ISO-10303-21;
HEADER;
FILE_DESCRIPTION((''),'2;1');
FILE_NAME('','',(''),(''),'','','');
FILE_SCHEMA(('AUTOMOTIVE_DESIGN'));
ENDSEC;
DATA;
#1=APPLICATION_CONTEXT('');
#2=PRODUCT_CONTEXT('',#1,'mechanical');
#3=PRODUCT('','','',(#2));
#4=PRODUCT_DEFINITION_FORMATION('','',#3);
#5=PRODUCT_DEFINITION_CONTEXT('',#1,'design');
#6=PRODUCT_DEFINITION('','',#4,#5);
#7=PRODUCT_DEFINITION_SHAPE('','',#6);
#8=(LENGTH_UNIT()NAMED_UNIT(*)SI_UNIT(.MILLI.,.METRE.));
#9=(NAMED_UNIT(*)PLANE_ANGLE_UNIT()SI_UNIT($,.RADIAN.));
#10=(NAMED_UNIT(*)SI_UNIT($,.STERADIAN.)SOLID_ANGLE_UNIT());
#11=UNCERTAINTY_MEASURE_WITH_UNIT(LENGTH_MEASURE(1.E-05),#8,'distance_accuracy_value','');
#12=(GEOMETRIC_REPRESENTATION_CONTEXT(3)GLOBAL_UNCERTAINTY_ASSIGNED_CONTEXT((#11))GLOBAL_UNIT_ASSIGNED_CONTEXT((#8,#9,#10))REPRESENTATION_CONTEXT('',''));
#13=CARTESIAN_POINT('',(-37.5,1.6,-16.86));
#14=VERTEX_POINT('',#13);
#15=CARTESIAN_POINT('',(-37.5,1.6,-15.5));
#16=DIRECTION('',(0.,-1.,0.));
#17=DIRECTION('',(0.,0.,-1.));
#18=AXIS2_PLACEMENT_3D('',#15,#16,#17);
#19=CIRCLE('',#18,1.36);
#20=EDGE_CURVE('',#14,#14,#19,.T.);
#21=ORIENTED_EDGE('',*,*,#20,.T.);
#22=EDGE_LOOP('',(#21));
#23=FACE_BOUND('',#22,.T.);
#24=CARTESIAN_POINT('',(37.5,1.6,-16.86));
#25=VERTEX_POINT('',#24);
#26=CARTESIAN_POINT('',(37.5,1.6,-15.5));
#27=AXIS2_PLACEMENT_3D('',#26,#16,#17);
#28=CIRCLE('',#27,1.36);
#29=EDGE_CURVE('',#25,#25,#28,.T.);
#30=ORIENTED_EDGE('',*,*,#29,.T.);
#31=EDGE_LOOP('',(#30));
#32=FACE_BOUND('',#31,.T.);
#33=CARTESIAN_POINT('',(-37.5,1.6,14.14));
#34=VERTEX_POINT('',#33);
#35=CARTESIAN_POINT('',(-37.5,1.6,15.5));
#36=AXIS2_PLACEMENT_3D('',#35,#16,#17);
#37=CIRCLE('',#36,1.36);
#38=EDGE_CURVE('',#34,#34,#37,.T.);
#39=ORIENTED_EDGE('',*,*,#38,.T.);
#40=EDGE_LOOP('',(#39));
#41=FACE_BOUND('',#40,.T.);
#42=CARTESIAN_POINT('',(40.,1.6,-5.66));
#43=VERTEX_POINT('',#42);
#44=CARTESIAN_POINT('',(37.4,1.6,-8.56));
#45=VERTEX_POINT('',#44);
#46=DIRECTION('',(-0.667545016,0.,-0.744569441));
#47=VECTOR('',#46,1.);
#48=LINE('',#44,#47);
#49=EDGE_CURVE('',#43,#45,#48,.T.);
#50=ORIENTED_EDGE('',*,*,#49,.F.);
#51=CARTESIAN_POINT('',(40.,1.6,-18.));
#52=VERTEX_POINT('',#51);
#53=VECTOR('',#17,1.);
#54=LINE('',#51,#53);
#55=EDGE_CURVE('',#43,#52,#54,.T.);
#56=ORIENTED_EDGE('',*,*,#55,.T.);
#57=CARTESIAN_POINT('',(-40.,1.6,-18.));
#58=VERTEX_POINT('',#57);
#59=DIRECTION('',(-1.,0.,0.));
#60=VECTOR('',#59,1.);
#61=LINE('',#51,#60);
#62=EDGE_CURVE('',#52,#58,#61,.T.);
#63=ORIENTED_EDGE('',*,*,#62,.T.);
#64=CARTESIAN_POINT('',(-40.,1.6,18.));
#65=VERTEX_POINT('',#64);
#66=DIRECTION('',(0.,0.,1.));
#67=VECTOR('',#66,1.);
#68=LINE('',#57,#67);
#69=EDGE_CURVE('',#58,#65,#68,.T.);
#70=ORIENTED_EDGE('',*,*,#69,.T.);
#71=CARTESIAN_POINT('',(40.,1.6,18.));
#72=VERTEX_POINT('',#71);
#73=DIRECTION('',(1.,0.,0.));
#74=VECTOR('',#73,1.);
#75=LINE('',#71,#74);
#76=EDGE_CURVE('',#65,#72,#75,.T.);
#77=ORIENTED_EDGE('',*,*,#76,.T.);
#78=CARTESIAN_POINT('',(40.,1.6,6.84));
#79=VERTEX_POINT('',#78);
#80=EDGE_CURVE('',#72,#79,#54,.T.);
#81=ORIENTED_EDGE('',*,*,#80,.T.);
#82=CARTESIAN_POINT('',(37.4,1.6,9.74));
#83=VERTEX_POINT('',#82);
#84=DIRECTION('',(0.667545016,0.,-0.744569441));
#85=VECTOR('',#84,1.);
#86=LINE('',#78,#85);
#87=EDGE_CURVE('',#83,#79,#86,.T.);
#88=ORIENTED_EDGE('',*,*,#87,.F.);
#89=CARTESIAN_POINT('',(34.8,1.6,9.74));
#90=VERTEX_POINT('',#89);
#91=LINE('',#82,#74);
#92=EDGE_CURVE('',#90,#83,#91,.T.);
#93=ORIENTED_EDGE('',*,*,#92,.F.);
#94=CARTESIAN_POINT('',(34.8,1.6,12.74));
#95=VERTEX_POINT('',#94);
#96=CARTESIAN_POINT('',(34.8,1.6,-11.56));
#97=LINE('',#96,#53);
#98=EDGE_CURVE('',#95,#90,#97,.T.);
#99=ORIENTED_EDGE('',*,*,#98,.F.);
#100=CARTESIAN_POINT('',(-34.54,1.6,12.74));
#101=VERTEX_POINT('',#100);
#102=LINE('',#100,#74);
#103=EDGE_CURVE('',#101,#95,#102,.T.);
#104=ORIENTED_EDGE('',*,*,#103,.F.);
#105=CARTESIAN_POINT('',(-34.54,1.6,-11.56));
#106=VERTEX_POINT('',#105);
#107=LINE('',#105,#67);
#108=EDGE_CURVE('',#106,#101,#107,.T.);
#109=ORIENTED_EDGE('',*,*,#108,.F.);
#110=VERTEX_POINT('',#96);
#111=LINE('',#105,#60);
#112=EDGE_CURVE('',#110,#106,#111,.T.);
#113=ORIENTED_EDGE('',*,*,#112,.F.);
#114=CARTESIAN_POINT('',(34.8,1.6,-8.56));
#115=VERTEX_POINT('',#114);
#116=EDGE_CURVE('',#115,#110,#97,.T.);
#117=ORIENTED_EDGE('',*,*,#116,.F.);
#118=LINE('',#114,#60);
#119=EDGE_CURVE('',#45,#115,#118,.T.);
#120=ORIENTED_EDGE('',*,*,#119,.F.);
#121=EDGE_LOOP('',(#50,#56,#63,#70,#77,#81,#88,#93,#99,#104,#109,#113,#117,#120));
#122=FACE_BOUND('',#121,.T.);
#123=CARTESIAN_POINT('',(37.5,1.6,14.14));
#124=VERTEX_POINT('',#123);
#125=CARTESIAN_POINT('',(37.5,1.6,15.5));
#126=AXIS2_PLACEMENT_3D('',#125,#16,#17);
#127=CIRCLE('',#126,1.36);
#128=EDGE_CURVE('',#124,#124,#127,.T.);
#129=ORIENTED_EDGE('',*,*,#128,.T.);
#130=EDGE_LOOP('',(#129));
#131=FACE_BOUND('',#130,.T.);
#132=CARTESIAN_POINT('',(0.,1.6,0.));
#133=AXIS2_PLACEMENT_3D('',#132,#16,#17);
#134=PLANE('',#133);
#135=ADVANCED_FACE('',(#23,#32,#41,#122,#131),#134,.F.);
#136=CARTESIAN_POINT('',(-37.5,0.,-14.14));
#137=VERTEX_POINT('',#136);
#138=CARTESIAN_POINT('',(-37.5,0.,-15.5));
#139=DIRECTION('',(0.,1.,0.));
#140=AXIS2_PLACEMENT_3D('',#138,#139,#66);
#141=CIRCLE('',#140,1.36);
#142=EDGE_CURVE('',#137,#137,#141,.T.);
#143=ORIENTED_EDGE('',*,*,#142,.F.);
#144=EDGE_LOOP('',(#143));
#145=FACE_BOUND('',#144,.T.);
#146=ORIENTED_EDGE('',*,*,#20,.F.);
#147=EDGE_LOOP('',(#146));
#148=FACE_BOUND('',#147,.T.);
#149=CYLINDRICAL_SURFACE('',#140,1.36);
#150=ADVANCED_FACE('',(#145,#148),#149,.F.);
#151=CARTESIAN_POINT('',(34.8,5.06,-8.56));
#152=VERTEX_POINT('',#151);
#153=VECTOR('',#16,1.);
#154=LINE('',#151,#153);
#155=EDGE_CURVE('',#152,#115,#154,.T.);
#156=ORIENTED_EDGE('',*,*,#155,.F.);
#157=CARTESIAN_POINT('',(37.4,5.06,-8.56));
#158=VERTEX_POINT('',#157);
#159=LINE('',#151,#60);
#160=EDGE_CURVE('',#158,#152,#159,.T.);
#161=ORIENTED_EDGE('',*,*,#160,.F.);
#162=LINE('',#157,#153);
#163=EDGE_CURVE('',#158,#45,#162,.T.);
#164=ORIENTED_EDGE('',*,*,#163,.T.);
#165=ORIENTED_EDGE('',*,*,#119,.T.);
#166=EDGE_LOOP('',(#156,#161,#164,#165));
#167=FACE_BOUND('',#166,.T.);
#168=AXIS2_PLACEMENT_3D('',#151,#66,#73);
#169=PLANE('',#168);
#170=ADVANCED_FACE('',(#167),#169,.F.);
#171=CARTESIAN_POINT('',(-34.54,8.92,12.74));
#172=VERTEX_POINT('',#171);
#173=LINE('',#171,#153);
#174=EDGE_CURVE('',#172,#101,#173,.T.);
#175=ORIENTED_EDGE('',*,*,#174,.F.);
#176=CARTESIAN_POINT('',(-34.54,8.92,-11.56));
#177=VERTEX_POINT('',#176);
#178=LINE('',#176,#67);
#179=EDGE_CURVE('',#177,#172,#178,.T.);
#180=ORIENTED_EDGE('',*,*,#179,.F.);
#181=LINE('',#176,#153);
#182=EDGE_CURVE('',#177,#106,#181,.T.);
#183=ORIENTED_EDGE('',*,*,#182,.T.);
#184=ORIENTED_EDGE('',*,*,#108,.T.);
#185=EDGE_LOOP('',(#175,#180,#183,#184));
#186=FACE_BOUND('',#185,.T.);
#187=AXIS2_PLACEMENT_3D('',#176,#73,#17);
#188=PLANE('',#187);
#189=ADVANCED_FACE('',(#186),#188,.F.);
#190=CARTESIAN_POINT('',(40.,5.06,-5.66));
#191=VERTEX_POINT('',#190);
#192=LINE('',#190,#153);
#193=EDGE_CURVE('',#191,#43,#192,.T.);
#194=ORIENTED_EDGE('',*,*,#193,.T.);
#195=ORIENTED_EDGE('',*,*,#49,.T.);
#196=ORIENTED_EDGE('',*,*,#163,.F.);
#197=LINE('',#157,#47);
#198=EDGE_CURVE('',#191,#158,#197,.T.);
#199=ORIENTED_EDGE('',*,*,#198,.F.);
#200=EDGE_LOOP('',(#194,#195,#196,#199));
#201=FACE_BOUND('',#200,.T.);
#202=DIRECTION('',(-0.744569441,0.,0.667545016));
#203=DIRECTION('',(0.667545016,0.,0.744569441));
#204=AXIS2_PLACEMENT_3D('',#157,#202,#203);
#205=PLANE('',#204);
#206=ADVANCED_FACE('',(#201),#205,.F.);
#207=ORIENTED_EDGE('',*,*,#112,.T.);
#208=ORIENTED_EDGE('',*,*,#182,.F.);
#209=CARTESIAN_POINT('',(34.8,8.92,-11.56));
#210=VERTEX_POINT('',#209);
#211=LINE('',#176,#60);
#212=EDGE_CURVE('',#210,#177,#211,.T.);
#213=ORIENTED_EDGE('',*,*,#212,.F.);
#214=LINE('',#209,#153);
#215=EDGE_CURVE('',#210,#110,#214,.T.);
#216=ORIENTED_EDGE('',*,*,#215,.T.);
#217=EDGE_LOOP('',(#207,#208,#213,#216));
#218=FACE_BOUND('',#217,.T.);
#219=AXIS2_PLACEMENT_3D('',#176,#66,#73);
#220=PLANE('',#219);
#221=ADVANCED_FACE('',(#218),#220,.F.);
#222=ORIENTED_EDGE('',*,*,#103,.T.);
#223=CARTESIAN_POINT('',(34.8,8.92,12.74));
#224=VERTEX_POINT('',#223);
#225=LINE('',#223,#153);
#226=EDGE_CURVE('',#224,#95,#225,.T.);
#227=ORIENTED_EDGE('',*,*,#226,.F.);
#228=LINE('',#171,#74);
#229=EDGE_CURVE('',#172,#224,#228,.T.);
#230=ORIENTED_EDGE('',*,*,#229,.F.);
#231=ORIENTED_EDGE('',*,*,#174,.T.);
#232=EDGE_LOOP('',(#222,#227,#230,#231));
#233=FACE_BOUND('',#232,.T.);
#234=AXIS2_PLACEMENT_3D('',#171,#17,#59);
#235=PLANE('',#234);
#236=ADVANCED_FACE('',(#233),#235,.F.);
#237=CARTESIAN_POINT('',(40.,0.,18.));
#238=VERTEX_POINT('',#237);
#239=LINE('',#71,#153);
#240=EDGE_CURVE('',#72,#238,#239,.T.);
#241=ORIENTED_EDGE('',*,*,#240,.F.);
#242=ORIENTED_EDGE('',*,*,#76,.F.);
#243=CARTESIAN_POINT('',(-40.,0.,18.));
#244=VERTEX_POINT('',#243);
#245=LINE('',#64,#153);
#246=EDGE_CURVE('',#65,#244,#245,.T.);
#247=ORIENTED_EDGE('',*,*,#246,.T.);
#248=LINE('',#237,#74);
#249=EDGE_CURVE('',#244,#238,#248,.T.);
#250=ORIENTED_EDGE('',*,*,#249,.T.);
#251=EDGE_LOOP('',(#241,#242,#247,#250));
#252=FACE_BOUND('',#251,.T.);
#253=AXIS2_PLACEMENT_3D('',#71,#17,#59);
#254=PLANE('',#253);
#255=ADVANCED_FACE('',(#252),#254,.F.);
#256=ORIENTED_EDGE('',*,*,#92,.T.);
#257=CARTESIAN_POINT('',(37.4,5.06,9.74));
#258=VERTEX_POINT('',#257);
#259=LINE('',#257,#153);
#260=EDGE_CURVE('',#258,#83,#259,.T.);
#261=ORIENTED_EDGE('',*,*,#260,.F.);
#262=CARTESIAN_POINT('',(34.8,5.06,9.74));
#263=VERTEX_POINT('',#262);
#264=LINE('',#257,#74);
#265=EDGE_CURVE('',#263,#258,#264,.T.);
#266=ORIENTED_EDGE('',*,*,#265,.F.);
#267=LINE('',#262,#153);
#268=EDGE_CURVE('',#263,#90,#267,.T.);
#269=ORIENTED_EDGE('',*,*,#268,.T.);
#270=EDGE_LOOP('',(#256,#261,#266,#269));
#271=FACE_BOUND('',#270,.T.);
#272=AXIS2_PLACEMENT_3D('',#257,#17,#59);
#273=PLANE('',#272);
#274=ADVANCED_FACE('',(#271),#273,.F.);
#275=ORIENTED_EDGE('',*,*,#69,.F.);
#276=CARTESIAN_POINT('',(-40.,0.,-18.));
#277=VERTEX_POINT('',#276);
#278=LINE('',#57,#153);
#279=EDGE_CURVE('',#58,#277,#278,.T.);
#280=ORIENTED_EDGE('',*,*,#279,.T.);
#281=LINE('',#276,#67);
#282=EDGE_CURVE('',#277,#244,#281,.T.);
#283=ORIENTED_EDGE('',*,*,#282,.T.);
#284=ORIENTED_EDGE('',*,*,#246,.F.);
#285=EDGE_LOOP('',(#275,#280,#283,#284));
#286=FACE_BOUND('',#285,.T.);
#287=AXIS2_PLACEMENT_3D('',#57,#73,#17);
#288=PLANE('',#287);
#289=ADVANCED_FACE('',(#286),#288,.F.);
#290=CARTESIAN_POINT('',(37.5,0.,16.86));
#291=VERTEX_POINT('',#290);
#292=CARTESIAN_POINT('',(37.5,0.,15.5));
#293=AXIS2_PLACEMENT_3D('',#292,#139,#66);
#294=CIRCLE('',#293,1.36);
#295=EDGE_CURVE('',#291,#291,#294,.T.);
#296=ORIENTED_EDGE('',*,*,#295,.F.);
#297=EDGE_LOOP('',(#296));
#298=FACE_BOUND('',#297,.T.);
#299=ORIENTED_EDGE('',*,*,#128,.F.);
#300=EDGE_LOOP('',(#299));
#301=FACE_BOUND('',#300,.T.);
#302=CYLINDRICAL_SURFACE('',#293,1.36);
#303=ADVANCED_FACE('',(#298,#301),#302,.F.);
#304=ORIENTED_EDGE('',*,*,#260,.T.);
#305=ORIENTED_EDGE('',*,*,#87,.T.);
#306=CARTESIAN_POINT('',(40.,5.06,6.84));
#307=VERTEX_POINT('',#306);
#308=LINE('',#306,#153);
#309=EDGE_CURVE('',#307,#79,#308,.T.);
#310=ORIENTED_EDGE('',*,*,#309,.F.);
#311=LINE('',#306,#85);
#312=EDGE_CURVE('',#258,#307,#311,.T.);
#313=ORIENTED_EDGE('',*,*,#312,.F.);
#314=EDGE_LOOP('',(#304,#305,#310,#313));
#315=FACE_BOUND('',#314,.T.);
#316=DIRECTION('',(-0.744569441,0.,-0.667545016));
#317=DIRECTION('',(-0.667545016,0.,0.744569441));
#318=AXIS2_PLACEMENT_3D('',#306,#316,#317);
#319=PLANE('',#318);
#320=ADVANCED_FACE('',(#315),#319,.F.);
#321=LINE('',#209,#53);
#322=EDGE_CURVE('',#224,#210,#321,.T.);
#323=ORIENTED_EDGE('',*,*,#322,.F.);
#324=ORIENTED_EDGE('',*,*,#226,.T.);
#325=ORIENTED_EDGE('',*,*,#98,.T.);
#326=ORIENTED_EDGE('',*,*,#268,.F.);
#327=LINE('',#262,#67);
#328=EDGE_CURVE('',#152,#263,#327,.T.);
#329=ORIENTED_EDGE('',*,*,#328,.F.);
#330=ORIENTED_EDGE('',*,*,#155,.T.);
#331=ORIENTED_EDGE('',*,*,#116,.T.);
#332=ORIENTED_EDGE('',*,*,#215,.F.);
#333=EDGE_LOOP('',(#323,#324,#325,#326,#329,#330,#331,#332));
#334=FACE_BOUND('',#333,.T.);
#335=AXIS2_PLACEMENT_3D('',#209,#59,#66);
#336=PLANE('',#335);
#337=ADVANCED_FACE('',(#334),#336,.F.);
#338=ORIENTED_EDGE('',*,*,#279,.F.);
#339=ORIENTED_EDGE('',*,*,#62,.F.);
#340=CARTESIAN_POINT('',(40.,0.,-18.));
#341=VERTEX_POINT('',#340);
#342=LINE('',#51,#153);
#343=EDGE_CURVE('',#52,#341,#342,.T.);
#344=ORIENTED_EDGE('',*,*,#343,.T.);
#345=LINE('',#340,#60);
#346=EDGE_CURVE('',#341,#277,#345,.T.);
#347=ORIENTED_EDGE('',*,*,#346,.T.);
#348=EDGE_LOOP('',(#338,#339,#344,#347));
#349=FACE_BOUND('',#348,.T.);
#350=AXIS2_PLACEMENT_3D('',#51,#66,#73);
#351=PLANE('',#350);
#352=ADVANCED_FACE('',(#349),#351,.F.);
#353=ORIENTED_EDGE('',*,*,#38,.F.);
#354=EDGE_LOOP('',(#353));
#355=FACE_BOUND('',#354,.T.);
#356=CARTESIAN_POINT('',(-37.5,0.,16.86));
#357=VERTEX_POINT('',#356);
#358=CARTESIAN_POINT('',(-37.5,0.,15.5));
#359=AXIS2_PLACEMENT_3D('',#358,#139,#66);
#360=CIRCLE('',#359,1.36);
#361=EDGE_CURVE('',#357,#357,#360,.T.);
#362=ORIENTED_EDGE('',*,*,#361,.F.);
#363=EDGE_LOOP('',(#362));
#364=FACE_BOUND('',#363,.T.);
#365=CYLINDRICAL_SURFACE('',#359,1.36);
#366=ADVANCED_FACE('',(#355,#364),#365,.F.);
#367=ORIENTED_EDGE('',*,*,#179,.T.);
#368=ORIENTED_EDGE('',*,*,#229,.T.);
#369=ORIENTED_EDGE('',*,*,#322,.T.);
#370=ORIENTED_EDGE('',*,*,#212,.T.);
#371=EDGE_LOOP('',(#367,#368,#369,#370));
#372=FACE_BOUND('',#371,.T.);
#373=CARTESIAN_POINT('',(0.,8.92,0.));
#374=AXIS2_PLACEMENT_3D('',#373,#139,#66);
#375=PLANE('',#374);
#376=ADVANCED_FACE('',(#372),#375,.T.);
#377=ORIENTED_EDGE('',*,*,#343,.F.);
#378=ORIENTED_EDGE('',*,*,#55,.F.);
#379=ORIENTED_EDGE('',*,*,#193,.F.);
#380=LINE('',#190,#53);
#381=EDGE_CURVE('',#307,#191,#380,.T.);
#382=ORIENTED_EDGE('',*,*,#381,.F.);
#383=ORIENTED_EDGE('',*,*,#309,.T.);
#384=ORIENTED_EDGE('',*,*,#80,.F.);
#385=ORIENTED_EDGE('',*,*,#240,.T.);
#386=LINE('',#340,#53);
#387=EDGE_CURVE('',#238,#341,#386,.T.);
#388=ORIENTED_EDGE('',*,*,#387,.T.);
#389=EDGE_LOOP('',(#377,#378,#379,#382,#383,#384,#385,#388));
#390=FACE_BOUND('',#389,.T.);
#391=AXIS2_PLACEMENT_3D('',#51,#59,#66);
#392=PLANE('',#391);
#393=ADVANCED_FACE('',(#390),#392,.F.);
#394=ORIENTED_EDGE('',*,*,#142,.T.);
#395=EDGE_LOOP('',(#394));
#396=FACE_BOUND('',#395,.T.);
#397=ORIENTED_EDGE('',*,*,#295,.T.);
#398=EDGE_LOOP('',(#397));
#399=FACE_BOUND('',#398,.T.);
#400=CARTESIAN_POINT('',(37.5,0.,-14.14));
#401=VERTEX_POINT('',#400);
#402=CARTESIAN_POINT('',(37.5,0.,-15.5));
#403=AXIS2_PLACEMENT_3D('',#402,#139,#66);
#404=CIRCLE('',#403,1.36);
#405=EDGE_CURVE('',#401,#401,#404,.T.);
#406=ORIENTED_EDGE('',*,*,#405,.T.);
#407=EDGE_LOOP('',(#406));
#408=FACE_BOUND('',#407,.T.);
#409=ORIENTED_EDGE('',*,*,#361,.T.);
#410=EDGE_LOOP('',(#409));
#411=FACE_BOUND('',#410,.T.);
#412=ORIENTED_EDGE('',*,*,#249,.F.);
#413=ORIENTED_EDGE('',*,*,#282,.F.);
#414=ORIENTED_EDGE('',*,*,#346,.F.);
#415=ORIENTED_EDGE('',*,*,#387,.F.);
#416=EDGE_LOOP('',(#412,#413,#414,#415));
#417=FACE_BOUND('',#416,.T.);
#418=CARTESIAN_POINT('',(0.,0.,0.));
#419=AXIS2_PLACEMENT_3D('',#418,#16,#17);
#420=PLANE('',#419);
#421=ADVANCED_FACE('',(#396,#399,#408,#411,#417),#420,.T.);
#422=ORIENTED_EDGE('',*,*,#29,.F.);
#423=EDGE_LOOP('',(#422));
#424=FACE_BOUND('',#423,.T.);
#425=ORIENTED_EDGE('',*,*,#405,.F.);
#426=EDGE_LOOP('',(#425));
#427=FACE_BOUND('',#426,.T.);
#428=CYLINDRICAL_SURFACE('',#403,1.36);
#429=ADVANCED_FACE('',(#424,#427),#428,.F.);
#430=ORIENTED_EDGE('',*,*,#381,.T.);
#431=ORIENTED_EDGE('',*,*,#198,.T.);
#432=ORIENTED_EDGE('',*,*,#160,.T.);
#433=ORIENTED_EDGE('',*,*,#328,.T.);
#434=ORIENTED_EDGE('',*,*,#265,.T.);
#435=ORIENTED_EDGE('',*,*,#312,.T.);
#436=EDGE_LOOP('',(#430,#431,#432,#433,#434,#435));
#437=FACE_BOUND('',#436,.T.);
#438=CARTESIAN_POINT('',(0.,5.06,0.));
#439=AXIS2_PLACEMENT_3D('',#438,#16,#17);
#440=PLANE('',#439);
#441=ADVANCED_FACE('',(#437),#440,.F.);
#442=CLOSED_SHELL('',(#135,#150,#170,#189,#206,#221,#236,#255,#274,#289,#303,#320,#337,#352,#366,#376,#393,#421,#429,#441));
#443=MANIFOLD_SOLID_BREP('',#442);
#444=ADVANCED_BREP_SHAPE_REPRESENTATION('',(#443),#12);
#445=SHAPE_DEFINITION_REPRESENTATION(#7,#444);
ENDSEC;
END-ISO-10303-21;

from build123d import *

# Parameters (mm, degrees)
SKETCH1_W               = 80
SKETCH1_H               = 36
BOSS_EXTRUDE1_DEPTH     = 1.6
SKETCH2_W               = 69.34
SKETCH2_H               = 24.3
BOSS_EXTRUDE2_DEPTH     = 7.32
BOSS_EXTRUDE3_DEPTH     = 3.46
CUT_EXTRUDE1_DEPTH      = 45.470016865
CUT_EXTRUDE1_DEPTH_BACK = 45.470016865
SKETCH4_R               = 1.36


with BuildPart() as part:
    # Sketch1 → Boss-Extrude1 (new body)
    with BuildSketch(Plane(origin=(0, 0, 0), x_dir=(1, 0, 0), z_dir=(0, 1, 0))):
        Rectangle(SKETCH1_W, SKETCH1_H)
    extrude(amount=BOSS_EXTRUDE1_DEPTH)

    # Sketch2 → Boss-Extrude2 (add)
    with BuildSketch(Plane(origin=(0, 1.6, 0), x_dir=(1, 0, 0), z_dir=(0, 1, 0))):
        with Locations((0.13, -0.59)):
            Rectangle(SKETCH2_W, SKETCH2_H)
    extrude(amount=BOSS_EXTRUDE2_DEPTH)

    # Sketch3 → Boss-Extrude3 (add)
    with BuildSketch(Plane(origin=(0, 1.6, 0), x_dir=(1, 0, 0), z_dir=(0, 1, 0))):
        Polygon((40, 5.66), (40, -6.84), (37.4, -9.74), (34.8, -9.74), (34.8, 8.56), (37.4, 8.56), align=None)
    extrude(amount=BOSS_EXTRUDE3_DEPTH)

    # Sketch4 → Cut-Extrude1 (cut, two sides: drawn at the far end of the back side and taken through both)
    with BuildSketch(Plane(origin=(0, 1.6, 0), x_dir=(1, 0, 0), z_dir=(0, 1, 0)).offset(-CUT_EXTRUDE1_DEPTH_BACK)):
        with Locations(Location((-37.5, 15.5, 0), (0, 0, 270))):
            Circle(SKETCH4_R)
        with Locations(Location((-37.5, -15.5, 0), (0, 0, 270))):
            Circle(SKETCH4_R)
        with Locations(Location((37.5, -15.5, 0), (0, 0, 270))):
            Circle(SKETCH4_R)
        with Locations(Location((37.5, 15.5, 0), (0, 0, 270))):
            Circle(SKETCH4_R)
    extrude(amount=CUT_EXTRUDE1_DEPTH + CUT_EXTRUDE1_DEPTH_BACK, mode=Mode.SUBTRACT)


solid = part.part
